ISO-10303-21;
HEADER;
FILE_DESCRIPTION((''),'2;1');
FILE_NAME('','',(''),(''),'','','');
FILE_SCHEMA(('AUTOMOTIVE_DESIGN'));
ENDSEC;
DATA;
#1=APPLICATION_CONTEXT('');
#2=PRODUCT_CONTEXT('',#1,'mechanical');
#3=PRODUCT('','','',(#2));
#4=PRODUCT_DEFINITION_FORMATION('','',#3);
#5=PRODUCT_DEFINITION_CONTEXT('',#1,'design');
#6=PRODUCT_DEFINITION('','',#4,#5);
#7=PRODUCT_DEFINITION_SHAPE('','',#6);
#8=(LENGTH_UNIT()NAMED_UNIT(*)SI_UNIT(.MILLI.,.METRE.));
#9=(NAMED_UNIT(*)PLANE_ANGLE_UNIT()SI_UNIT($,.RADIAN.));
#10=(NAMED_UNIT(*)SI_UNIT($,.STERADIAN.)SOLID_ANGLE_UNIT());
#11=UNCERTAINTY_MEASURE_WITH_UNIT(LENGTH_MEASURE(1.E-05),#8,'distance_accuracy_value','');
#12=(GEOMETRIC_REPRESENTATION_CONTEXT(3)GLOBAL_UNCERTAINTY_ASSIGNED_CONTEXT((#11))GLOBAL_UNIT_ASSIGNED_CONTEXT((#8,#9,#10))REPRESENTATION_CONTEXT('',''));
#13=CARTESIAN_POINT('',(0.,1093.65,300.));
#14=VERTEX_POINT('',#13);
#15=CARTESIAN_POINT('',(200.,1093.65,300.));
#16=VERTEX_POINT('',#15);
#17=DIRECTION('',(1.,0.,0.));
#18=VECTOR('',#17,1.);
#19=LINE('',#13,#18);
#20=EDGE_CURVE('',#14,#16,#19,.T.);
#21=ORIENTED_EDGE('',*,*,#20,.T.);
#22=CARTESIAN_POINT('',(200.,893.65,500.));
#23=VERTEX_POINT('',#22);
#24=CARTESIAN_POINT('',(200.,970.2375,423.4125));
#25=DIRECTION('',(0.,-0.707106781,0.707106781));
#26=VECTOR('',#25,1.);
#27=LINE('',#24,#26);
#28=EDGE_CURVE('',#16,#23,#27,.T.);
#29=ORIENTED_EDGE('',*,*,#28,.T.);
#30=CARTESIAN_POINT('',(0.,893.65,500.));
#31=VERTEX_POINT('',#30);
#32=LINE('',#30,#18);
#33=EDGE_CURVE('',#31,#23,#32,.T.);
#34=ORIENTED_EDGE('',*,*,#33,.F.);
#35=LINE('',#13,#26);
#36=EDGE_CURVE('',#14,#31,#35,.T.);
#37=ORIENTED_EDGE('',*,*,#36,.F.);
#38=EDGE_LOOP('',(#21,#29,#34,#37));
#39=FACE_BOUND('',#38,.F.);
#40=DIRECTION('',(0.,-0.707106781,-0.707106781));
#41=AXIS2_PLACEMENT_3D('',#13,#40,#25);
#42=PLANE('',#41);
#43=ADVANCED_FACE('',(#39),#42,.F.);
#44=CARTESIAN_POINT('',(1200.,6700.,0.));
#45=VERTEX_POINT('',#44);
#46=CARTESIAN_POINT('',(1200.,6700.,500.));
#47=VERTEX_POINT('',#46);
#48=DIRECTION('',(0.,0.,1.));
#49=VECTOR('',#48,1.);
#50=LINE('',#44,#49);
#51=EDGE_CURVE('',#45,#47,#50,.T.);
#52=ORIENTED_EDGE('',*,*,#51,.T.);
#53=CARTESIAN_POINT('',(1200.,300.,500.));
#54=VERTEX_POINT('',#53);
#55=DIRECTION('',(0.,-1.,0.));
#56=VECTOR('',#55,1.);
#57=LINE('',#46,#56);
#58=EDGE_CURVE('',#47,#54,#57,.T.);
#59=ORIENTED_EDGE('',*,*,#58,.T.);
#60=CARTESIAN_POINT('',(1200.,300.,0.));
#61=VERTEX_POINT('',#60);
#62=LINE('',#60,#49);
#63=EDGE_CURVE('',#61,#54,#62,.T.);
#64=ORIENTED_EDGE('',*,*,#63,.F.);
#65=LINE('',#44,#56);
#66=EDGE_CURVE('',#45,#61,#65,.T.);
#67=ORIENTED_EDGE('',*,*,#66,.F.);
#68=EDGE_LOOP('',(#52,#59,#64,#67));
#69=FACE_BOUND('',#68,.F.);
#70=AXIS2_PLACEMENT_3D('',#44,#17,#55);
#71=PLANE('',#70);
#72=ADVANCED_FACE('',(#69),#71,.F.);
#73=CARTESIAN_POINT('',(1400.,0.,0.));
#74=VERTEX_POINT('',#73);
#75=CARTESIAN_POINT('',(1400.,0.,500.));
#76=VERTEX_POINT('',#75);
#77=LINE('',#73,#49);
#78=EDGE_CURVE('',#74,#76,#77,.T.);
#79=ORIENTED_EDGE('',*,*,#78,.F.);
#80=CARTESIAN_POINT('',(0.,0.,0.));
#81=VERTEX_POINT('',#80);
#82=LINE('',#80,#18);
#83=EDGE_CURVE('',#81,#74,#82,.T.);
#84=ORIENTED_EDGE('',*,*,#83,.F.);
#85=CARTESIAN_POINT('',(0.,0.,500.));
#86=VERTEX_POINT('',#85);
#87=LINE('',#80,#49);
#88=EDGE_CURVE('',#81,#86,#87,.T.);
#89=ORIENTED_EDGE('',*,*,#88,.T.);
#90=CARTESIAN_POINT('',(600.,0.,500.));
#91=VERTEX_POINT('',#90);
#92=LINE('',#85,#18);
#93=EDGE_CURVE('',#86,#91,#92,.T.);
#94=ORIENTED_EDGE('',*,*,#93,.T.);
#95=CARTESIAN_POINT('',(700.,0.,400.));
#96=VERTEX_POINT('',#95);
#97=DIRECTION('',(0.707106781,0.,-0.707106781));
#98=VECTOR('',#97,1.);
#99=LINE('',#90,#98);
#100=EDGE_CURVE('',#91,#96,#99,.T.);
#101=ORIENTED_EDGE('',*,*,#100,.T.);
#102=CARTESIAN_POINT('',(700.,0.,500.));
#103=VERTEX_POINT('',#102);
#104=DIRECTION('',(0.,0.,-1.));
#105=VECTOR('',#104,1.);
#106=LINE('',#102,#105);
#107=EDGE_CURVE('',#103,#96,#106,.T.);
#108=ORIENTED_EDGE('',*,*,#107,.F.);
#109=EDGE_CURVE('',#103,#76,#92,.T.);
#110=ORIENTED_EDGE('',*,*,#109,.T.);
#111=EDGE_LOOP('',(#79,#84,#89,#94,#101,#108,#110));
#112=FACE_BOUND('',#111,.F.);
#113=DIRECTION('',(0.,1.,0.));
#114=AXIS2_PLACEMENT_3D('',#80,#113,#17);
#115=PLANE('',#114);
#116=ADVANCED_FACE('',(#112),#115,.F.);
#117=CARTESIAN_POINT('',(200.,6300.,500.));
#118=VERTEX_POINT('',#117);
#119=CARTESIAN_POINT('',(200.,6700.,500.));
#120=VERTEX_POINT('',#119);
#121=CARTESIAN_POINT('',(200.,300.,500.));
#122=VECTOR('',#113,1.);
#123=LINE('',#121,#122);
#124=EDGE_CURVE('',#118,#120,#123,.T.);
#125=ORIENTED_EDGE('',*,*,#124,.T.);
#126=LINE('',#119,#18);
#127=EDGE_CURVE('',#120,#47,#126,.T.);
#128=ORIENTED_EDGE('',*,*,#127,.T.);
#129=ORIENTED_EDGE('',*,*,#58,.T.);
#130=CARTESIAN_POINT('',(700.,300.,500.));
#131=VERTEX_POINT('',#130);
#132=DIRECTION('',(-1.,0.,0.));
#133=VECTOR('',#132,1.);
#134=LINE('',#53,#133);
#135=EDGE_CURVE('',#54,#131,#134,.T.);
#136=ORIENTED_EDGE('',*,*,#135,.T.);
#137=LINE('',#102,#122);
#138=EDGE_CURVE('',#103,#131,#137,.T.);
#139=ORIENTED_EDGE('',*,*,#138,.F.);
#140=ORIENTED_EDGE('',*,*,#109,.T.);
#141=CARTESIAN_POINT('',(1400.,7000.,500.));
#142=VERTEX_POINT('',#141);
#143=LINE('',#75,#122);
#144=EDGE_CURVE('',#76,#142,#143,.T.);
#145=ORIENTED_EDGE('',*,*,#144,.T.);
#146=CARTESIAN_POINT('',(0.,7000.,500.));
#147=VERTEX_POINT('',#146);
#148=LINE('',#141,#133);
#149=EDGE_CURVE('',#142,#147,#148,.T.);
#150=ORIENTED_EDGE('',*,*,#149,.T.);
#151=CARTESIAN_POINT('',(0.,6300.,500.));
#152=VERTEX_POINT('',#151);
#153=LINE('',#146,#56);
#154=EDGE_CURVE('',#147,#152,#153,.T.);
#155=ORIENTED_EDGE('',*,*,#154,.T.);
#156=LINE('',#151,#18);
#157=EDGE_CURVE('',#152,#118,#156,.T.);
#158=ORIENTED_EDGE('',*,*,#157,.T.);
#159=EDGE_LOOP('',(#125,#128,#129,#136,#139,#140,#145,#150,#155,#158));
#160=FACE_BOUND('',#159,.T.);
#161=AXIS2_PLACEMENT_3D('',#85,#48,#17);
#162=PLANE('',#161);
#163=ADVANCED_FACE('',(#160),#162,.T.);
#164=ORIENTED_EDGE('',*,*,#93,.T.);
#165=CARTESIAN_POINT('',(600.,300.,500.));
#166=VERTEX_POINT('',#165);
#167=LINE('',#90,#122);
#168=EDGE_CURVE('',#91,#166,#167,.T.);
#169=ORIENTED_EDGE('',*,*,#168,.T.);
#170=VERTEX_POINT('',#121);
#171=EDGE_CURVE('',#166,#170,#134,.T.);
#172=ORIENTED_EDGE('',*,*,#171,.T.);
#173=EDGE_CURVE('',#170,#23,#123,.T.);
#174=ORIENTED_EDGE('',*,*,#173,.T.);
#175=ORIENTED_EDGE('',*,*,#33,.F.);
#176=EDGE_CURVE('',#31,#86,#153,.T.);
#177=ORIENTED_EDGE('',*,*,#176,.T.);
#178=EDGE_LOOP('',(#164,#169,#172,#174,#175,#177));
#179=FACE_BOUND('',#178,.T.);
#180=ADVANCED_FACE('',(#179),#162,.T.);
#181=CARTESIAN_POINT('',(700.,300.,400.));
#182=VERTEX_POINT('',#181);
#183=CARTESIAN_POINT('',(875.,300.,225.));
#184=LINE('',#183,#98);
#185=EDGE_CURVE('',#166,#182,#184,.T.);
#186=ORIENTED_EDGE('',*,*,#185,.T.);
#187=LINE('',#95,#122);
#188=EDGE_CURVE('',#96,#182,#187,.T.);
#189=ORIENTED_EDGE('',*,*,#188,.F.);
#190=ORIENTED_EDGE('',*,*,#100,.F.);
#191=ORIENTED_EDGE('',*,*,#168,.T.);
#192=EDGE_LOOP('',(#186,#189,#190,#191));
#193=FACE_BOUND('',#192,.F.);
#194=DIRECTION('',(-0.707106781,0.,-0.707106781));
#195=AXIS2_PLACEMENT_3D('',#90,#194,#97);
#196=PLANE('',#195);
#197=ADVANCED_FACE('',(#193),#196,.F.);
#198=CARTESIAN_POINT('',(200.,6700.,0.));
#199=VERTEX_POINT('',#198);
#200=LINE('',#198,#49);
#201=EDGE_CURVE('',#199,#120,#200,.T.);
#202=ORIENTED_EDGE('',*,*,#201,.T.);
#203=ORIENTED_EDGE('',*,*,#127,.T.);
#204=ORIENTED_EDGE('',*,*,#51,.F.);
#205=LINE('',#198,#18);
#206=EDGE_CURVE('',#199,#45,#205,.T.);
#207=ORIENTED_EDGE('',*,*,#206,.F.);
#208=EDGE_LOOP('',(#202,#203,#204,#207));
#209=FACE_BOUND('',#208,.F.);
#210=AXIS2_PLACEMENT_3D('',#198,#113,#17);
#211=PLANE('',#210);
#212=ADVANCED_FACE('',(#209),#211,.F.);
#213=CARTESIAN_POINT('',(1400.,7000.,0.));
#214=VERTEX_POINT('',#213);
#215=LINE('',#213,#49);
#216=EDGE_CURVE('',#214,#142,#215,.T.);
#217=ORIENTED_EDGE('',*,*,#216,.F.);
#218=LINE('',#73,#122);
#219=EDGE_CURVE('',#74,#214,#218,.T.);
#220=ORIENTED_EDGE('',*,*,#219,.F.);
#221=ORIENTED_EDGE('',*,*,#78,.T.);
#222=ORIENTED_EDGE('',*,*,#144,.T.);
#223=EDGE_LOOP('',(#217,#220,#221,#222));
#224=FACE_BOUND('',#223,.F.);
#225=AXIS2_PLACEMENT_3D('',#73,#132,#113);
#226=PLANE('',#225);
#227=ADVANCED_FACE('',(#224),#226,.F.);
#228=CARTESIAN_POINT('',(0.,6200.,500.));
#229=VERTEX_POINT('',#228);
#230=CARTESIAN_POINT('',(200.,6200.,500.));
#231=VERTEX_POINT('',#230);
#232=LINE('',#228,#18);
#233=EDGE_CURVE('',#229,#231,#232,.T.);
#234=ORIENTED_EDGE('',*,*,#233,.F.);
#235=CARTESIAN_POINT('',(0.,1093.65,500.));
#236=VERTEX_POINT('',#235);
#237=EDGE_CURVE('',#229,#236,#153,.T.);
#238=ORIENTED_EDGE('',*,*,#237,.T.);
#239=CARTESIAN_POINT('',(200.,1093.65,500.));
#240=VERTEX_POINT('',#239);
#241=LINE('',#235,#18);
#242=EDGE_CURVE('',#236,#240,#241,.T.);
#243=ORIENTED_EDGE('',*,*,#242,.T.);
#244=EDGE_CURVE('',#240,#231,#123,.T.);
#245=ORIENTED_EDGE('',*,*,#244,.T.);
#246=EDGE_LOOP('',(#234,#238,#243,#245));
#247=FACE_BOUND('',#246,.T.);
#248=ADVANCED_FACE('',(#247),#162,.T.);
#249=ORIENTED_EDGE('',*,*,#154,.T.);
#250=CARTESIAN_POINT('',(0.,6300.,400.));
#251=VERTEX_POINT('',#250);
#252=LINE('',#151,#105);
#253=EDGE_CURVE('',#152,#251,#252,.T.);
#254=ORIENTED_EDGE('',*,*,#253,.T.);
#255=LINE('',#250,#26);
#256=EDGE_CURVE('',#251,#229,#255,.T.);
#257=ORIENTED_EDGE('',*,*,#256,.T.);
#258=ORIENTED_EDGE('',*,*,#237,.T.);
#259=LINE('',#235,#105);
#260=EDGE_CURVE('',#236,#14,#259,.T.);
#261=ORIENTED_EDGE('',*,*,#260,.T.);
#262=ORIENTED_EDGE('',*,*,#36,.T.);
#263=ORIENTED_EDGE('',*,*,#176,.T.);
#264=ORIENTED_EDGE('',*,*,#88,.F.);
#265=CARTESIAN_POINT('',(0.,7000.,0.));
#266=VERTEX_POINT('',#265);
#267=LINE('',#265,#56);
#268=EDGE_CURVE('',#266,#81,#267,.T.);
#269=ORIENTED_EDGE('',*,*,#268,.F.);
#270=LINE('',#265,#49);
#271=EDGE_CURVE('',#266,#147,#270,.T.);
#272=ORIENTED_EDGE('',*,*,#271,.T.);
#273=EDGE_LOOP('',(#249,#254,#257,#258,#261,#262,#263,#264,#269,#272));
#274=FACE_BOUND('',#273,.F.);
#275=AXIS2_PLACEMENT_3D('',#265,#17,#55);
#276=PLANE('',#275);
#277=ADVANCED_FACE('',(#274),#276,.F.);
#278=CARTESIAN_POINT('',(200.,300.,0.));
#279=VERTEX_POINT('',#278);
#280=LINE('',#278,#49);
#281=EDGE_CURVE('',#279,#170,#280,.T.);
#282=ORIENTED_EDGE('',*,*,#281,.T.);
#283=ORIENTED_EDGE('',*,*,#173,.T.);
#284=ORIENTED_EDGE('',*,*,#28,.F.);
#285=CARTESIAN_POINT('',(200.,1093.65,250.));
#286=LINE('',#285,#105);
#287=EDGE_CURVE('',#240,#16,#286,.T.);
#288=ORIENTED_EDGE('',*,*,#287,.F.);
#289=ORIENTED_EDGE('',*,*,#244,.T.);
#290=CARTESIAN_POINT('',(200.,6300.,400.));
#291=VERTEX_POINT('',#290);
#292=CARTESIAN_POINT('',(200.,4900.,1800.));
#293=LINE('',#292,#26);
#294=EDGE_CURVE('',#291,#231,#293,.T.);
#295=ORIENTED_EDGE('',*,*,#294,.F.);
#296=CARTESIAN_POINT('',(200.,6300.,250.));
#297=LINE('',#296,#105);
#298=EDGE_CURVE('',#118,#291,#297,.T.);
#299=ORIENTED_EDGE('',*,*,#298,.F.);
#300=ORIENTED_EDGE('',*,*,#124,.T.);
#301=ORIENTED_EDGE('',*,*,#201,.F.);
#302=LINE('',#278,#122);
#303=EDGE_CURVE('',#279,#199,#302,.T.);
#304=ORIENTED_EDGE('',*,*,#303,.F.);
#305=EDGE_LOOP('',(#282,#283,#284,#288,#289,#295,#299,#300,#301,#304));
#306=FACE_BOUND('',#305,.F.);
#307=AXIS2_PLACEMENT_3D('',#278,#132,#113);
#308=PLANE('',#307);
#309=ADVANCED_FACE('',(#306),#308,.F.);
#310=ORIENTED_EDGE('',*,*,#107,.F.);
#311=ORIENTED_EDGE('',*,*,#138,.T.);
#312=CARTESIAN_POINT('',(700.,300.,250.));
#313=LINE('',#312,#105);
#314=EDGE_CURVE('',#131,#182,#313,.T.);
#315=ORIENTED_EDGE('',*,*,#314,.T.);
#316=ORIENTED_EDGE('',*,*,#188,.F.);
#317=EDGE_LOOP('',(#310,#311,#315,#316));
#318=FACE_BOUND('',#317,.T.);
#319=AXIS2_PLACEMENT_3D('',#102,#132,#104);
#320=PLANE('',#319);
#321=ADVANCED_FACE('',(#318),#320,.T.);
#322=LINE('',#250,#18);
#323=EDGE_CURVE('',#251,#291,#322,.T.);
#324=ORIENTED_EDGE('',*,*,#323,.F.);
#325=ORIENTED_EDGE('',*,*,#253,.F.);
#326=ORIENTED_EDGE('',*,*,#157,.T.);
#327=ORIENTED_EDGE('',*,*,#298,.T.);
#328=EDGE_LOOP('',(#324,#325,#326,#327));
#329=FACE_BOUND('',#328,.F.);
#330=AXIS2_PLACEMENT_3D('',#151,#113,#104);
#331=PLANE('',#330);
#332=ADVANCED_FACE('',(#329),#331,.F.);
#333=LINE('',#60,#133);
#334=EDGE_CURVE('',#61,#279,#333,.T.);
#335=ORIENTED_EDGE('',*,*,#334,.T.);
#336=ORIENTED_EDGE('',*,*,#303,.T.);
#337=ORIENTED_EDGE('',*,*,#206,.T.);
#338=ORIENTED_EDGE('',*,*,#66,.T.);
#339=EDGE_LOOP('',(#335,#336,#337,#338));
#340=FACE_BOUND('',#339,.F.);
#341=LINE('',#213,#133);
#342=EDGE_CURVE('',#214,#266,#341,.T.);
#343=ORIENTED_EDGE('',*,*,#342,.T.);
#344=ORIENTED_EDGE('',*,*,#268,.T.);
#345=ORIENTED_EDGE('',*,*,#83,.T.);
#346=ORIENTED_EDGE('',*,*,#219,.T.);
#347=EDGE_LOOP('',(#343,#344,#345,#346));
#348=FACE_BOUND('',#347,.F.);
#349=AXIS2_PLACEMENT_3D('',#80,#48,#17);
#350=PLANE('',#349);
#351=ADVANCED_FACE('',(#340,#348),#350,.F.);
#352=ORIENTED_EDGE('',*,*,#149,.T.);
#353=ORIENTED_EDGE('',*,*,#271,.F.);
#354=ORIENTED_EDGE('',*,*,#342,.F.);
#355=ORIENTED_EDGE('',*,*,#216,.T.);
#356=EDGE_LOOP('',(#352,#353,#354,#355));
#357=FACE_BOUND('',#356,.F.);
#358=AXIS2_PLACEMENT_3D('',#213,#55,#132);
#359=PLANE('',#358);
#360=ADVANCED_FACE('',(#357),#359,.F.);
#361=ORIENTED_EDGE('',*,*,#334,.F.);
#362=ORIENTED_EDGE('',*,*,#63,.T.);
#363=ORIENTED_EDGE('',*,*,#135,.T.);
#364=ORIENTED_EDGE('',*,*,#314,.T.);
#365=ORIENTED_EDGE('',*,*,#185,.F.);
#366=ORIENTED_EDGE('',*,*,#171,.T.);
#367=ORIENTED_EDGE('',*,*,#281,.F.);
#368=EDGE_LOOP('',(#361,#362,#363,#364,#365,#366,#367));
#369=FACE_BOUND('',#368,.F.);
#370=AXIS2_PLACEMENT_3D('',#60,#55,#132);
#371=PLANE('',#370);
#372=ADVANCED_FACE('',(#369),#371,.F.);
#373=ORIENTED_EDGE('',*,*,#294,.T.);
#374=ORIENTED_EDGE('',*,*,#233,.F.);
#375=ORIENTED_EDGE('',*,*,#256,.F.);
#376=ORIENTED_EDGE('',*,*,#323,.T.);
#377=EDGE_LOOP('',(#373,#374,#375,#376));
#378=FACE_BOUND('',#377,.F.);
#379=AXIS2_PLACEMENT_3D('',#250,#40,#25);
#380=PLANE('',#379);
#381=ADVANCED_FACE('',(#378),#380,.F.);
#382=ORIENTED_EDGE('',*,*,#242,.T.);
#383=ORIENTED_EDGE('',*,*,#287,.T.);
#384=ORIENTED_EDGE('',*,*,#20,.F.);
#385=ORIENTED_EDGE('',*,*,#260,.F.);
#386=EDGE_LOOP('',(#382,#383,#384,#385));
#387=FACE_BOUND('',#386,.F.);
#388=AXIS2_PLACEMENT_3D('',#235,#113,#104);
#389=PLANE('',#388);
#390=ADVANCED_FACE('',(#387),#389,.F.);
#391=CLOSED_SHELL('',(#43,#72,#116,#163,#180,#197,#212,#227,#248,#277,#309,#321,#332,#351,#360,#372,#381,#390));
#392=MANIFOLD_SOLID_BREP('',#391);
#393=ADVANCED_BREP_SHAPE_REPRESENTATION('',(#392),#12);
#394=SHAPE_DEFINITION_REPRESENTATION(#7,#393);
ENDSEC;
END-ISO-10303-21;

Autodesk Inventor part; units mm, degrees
ref_plane "YZ Plane" through (0, 0, 0) normal (1, 0, 0) x (0, 1, 0)
ref_plane "XZ Plane" through (0, 0, 0) normal (0, 1, 0) x (-1, 0, 0)
ref_plane "Pracovní rovina1" through (0, 0, 0) normal (0, 0, 1) x (1, 0, 0)
sketch "Náčrt1" plane through (0, 0, 0) normal (0, 0, 1) x (1, 0, 0)
  line L0 (0, 0) -> (1400, 0)
  line L1 (1400, 0) -> (1400, 7000)
  line L2 (1400, 7000) -> (0, 7000)
  line L3 (0, 7000) -> (0, 0)
  line L4 (200, 6700) -> (1200, 6700)
  line L5 (1200, 6700) -> (1200, 300)
  line L6 (1200, 300) -> (200, 300)
  line L7 (200, 300) -> (200, 6700)
  dimension "d13" = 7000
  dimension "d14" = 1000
  dimension "d15" = 300
  dimension "d16" = 300
  dimension "d17" = 200
  dimension "d18" = 200
extrude "Vysunutí1" add sketch "Náčrt1" along normal blind 500
sketch "Náčrt2" plane through (0, 6700, 0) normal (-1, 0, 0) x (0, 1, 0)
  line L0 (-400, -500) -> (-400, -400)
  line L1 (-400, -400) -> (-500, -500)
  line L2 (-500, -500) -> (-400, -500)
  line L3 (300, -500) -> (-6700, -500) projected
  line L4 (300, 0) -> (300, -500) projected
  line L5 (-5606.35, -500) -> (-5606.35, -300)
  line L6 (-5606.35, -300) -> (-5806.35, -500)
  line L7 (-5606.35, -500) -> (-5806.35, -500)
  point P0 (-6700, 0)
  dimension "d7" = 100
  dimension "d19" = 700
  dimension "d24" = 45
  dimension "d25" = 5206.35
  dimension "d26" = 200
extrude "Vysunutí2" cut sketch "Náčrt2" against normal blind 293.5
sketch "Náčrt3" plane through (0, 0, 0) normal (0, -1, 0) x (1, 0, 0)
  line L0 (0, 500) -> (1400, 500) projected
  line L1 (600, 500) -> (700, 400)
  line L2 (700, 500) -> (700, 400)
  point P0 (0, 0)
  dimension "d20" = 45
  dimension "d21" = 100
extrude "Vysunutí3" cut sketch "Náčrt3" against normal blind 358
equation "\"d16\" = d15"
equation "\"d18\" = d17"
properties part number "B1-X"
